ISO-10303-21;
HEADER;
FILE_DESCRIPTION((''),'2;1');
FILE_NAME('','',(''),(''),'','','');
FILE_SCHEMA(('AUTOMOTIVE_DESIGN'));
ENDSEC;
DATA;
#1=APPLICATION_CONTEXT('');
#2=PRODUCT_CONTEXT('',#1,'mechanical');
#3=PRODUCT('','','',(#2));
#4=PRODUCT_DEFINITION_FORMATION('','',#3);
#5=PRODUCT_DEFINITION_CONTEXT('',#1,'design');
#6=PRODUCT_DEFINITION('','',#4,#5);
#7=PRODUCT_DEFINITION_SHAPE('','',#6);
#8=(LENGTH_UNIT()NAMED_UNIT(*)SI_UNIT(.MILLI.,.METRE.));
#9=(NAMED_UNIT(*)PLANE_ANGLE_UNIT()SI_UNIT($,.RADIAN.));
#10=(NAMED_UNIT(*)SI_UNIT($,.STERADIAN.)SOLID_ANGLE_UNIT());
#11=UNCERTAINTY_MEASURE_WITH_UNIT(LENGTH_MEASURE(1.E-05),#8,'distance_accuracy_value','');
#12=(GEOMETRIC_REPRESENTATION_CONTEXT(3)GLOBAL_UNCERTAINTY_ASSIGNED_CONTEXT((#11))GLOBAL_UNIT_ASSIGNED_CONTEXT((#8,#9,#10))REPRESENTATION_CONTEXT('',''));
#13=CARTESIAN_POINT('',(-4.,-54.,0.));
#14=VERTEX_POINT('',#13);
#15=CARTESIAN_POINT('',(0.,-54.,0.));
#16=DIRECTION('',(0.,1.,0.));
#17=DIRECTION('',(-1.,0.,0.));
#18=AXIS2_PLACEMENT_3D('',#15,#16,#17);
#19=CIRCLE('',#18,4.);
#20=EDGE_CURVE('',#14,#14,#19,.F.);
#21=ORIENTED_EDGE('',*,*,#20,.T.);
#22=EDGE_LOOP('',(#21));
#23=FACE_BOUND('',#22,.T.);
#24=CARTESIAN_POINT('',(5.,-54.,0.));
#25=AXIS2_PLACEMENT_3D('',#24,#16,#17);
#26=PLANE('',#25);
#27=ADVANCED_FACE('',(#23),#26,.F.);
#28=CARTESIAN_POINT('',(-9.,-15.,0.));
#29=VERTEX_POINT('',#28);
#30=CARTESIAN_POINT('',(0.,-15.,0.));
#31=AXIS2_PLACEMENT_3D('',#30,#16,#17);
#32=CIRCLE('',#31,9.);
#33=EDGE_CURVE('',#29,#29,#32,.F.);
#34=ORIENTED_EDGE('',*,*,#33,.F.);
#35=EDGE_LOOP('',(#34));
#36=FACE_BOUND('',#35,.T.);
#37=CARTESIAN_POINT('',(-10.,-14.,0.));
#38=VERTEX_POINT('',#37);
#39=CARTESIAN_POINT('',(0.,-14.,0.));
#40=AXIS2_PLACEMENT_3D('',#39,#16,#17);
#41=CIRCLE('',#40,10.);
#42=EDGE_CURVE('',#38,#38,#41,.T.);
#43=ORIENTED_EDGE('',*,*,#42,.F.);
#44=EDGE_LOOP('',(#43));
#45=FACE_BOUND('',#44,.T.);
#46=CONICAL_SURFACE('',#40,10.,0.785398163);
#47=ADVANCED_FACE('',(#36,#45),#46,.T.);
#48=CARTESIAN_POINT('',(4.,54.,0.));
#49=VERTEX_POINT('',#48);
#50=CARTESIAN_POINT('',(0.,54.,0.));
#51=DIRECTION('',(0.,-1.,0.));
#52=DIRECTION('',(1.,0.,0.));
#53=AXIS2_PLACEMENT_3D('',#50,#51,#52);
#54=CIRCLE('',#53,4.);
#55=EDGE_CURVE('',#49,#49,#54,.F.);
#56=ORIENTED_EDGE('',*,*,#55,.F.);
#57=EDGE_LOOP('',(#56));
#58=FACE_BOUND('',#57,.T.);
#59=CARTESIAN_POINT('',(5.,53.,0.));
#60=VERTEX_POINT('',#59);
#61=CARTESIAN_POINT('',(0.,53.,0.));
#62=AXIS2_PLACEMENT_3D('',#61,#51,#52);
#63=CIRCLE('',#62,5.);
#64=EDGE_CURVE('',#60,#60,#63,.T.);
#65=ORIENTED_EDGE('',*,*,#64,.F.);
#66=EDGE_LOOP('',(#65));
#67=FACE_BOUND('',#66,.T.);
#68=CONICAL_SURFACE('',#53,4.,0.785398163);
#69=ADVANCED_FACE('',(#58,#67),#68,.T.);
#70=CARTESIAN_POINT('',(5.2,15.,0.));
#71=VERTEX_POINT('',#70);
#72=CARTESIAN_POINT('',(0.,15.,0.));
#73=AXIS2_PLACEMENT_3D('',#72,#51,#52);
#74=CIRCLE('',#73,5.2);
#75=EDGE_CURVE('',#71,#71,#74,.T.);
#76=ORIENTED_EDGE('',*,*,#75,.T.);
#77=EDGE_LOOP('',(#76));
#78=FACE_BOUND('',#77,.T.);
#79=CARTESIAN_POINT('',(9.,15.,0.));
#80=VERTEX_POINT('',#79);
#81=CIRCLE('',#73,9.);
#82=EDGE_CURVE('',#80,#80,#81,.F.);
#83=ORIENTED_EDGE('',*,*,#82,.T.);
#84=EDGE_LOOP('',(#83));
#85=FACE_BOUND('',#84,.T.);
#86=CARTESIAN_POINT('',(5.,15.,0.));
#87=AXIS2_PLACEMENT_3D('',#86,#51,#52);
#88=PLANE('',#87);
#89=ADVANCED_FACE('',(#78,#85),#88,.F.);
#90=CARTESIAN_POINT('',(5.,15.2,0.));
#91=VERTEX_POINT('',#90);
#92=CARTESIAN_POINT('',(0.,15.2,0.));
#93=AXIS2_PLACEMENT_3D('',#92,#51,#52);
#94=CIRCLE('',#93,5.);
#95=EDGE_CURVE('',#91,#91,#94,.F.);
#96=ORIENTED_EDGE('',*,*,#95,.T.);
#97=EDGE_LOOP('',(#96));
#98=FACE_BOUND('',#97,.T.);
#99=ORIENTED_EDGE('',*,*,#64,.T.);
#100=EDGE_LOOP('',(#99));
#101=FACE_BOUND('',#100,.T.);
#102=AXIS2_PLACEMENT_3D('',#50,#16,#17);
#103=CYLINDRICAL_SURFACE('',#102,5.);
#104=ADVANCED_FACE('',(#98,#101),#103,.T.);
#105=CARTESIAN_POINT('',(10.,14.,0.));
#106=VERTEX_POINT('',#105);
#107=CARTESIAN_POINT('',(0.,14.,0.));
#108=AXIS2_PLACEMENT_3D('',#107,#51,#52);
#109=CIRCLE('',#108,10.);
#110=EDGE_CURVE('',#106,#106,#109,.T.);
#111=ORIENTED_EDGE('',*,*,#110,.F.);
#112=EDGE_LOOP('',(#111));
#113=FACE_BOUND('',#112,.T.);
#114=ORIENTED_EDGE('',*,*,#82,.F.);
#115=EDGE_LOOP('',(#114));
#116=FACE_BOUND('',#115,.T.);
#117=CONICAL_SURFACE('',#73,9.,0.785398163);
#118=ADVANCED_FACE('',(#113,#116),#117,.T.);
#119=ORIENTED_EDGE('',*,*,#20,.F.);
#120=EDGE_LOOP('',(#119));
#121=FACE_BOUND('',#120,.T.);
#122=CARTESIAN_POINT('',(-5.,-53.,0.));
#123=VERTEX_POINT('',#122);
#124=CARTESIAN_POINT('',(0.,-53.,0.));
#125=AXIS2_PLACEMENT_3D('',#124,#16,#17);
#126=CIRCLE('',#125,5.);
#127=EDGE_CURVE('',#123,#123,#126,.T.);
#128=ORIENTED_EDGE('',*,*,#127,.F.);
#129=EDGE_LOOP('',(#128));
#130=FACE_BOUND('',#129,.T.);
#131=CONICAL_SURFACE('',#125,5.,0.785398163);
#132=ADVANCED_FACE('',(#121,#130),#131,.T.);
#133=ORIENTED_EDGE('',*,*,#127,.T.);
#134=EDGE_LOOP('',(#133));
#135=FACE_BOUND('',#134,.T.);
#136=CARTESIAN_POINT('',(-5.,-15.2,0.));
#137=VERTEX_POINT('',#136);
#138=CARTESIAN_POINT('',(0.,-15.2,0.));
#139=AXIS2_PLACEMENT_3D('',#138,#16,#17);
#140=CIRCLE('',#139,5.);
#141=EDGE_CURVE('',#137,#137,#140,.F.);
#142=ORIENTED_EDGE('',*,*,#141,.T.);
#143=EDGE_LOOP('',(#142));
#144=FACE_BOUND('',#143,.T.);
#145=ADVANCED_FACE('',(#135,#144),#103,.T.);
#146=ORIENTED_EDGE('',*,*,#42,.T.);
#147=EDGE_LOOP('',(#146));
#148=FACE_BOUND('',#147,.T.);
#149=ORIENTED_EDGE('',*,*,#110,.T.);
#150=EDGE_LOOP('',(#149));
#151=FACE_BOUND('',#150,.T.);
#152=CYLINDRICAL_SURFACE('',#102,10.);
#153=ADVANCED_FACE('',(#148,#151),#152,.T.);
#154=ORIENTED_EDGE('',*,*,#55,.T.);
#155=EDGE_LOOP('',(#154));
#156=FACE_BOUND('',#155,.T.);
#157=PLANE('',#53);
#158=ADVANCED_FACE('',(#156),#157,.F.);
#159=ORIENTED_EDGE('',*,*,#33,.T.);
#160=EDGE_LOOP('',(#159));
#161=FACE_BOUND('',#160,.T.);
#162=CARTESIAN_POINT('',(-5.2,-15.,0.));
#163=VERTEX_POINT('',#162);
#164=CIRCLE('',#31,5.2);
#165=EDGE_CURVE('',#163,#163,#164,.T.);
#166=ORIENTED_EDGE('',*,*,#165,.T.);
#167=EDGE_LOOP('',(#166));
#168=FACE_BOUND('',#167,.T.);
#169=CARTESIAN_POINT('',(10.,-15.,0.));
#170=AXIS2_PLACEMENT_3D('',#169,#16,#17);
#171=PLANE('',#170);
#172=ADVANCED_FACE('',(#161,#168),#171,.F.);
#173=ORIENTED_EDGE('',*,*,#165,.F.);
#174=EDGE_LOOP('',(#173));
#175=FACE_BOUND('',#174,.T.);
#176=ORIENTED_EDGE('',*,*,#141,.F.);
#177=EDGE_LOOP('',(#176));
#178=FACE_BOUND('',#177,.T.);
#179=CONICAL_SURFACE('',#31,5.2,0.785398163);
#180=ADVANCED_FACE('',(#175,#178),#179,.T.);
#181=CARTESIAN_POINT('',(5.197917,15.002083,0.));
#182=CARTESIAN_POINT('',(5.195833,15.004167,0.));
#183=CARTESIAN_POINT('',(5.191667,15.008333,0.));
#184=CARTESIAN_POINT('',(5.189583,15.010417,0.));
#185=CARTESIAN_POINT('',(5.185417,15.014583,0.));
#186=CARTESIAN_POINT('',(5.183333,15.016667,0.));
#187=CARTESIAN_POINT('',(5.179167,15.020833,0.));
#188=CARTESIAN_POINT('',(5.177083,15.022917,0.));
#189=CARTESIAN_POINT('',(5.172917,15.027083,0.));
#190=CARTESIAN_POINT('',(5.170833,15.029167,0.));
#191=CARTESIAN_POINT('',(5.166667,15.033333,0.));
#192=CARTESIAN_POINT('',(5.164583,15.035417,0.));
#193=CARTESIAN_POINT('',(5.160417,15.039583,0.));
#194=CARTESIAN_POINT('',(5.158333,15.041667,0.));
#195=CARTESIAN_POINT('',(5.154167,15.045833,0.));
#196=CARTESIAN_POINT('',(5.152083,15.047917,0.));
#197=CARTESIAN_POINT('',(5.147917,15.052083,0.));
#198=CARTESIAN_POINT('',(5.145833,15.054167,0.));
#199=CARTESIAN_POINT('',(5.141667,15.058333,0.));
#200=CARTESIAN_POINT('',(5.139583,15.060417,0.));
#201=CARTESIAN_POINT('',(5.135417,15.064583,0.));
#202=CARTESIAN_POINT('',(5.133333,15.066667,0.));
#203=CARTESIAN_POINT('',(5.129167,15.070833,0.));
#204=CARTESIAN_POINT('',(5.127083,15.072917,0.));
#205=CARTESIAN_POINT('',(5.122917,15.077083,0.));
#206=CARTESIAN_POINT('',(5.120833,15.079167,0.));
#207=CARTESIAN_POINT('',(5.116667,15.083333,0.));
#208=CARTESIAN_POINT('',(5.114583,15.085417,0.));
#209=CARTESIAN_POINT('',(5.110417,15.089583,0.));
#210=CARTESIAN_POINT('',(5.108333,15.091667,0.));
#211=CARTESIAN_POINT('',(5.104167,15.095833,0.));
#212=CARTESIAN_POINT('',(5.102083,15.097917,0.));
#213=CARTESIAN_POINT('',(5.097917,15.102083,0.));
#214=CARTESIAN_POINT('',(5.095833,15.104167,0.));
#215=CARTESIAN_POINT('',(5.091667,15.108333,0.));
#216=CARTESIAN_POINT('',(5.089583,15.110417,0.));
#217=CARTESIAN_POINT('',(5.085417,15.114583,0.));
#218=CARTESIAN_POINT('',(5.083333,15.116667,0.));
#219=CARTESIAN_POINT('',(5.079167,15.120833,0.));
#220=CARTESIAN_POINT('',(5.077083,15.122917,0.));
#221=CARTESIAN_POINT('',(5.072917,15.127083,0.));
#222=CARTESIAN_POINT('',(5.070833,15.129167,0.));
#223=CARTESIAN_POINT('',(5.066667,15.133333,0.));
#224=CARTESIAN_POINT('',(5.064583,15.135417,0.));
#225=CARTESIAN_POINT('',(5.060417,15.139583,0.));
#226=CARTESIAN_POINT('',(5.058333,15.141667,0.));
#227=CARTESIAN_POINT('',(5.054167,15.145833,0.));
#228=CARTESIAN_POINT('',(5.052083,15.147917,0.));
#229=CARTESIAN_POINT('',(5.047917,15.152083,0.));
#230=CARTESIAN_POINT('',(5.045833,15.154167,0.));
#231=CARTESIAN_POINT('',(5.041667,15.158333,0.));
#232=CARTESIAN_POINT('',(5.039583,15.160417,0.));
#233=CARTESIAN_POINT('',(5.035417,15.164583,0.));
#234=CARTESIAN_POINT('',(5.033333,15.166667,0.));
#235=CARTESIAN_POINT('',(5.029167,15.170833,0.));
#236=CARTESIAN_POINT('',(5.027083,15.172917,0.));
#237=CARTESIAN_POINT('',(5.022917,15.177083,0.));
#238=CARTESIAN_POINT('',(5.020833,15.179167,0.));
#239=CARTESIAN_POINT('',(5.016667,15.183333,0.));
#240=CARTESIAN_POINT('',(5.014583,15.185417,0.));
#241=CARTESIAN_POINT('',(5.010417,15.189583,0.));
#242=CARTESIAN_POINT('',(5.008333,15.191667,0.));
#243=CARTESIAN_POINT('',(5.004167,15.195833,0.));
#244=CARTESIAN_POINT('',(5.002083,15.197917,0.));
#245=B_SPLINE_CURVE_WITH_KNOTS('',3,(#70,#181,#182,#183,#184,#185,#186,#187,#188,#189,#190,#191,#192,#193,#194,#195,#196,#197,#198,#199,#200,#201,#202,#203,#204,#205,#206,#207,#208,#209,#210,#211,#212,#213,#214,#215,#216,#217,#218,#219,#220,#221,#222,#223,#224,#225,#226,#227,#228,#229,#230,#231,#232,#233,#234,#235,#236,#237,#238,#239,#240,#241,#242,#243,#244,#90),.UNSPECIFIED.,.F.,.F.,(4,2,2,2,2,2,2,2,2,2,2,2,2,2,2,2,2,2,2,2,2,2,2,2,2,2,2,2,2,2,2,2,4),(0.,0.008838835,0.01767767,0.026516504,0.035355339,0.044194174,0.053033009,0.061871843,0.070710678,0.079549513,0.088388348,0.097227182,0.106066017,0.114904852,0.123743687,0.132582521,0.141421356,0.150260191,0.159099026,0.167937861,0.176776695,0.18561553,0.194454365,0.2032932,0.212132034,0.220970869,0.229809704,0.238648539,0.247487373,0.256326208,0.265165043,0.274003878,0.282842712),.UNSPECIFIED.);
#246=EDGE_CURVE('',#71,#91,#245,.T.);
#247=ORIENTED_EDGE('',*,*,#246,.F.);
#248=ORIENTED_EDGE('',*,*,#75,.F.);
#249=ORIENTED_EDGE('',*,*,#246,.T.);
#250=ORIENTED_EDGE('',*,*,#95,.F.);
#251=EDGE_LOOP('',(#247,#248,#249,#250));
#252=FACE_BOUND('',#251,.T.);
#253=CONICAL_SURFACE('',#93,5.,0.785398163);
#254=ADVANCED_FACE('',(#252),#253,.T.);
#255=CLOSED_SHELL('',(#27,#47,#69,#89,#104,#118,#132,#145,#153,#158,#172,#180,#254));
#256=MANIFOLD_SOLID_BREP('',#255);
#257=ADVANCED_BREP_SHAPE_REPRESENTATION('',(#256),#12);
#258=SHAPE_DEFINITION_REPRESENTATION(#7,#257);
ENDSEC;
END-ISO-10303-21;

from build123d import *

# Parameters (mm, degrees)
CHAMFER_1_SIZE = 1
CHAMFER_2_SIZE = 0.2


with BuildPart() as part:
    # 草图1 → 旋转1 (revolve)
    with BuildSketch(Plane.XY, mode=Mode.PRIVATE) as revolve_1_sk:
        Polygon((0, 54), (5, 54), (5, 15), (10, 15), (10, -15), (5, -15), (5, -54), (0, -54), align=None)
    revolve(revolve_1_sk.sketch.rotate(Axis((0, 54, 0), (0, -1, 0)), 180), axis=Axis((0, 54, 0), (0, -1, 0)))

    # 倒角1
    chamfer_1_edges = [part.edges().sort_by_distance(p)[0] for p in [
        (5, -54, 0),
        (10, -15, 0),
        (10, 15, 0),
        (5, 54, 0),
    ]]
    chamfer(chamfer_1_edges, length=CHAMFER_1_SIZE)

    # 倒角2
    chamfer_2_edges = [part.edges().sort_by_distance(p)[0] for p in [
        (5, -15, 0),
        (5, 15, 0),
    ]]
    chamfer(chamfer_2_edges, length=CHAMFER_2_SIZE)


solid = part.part
